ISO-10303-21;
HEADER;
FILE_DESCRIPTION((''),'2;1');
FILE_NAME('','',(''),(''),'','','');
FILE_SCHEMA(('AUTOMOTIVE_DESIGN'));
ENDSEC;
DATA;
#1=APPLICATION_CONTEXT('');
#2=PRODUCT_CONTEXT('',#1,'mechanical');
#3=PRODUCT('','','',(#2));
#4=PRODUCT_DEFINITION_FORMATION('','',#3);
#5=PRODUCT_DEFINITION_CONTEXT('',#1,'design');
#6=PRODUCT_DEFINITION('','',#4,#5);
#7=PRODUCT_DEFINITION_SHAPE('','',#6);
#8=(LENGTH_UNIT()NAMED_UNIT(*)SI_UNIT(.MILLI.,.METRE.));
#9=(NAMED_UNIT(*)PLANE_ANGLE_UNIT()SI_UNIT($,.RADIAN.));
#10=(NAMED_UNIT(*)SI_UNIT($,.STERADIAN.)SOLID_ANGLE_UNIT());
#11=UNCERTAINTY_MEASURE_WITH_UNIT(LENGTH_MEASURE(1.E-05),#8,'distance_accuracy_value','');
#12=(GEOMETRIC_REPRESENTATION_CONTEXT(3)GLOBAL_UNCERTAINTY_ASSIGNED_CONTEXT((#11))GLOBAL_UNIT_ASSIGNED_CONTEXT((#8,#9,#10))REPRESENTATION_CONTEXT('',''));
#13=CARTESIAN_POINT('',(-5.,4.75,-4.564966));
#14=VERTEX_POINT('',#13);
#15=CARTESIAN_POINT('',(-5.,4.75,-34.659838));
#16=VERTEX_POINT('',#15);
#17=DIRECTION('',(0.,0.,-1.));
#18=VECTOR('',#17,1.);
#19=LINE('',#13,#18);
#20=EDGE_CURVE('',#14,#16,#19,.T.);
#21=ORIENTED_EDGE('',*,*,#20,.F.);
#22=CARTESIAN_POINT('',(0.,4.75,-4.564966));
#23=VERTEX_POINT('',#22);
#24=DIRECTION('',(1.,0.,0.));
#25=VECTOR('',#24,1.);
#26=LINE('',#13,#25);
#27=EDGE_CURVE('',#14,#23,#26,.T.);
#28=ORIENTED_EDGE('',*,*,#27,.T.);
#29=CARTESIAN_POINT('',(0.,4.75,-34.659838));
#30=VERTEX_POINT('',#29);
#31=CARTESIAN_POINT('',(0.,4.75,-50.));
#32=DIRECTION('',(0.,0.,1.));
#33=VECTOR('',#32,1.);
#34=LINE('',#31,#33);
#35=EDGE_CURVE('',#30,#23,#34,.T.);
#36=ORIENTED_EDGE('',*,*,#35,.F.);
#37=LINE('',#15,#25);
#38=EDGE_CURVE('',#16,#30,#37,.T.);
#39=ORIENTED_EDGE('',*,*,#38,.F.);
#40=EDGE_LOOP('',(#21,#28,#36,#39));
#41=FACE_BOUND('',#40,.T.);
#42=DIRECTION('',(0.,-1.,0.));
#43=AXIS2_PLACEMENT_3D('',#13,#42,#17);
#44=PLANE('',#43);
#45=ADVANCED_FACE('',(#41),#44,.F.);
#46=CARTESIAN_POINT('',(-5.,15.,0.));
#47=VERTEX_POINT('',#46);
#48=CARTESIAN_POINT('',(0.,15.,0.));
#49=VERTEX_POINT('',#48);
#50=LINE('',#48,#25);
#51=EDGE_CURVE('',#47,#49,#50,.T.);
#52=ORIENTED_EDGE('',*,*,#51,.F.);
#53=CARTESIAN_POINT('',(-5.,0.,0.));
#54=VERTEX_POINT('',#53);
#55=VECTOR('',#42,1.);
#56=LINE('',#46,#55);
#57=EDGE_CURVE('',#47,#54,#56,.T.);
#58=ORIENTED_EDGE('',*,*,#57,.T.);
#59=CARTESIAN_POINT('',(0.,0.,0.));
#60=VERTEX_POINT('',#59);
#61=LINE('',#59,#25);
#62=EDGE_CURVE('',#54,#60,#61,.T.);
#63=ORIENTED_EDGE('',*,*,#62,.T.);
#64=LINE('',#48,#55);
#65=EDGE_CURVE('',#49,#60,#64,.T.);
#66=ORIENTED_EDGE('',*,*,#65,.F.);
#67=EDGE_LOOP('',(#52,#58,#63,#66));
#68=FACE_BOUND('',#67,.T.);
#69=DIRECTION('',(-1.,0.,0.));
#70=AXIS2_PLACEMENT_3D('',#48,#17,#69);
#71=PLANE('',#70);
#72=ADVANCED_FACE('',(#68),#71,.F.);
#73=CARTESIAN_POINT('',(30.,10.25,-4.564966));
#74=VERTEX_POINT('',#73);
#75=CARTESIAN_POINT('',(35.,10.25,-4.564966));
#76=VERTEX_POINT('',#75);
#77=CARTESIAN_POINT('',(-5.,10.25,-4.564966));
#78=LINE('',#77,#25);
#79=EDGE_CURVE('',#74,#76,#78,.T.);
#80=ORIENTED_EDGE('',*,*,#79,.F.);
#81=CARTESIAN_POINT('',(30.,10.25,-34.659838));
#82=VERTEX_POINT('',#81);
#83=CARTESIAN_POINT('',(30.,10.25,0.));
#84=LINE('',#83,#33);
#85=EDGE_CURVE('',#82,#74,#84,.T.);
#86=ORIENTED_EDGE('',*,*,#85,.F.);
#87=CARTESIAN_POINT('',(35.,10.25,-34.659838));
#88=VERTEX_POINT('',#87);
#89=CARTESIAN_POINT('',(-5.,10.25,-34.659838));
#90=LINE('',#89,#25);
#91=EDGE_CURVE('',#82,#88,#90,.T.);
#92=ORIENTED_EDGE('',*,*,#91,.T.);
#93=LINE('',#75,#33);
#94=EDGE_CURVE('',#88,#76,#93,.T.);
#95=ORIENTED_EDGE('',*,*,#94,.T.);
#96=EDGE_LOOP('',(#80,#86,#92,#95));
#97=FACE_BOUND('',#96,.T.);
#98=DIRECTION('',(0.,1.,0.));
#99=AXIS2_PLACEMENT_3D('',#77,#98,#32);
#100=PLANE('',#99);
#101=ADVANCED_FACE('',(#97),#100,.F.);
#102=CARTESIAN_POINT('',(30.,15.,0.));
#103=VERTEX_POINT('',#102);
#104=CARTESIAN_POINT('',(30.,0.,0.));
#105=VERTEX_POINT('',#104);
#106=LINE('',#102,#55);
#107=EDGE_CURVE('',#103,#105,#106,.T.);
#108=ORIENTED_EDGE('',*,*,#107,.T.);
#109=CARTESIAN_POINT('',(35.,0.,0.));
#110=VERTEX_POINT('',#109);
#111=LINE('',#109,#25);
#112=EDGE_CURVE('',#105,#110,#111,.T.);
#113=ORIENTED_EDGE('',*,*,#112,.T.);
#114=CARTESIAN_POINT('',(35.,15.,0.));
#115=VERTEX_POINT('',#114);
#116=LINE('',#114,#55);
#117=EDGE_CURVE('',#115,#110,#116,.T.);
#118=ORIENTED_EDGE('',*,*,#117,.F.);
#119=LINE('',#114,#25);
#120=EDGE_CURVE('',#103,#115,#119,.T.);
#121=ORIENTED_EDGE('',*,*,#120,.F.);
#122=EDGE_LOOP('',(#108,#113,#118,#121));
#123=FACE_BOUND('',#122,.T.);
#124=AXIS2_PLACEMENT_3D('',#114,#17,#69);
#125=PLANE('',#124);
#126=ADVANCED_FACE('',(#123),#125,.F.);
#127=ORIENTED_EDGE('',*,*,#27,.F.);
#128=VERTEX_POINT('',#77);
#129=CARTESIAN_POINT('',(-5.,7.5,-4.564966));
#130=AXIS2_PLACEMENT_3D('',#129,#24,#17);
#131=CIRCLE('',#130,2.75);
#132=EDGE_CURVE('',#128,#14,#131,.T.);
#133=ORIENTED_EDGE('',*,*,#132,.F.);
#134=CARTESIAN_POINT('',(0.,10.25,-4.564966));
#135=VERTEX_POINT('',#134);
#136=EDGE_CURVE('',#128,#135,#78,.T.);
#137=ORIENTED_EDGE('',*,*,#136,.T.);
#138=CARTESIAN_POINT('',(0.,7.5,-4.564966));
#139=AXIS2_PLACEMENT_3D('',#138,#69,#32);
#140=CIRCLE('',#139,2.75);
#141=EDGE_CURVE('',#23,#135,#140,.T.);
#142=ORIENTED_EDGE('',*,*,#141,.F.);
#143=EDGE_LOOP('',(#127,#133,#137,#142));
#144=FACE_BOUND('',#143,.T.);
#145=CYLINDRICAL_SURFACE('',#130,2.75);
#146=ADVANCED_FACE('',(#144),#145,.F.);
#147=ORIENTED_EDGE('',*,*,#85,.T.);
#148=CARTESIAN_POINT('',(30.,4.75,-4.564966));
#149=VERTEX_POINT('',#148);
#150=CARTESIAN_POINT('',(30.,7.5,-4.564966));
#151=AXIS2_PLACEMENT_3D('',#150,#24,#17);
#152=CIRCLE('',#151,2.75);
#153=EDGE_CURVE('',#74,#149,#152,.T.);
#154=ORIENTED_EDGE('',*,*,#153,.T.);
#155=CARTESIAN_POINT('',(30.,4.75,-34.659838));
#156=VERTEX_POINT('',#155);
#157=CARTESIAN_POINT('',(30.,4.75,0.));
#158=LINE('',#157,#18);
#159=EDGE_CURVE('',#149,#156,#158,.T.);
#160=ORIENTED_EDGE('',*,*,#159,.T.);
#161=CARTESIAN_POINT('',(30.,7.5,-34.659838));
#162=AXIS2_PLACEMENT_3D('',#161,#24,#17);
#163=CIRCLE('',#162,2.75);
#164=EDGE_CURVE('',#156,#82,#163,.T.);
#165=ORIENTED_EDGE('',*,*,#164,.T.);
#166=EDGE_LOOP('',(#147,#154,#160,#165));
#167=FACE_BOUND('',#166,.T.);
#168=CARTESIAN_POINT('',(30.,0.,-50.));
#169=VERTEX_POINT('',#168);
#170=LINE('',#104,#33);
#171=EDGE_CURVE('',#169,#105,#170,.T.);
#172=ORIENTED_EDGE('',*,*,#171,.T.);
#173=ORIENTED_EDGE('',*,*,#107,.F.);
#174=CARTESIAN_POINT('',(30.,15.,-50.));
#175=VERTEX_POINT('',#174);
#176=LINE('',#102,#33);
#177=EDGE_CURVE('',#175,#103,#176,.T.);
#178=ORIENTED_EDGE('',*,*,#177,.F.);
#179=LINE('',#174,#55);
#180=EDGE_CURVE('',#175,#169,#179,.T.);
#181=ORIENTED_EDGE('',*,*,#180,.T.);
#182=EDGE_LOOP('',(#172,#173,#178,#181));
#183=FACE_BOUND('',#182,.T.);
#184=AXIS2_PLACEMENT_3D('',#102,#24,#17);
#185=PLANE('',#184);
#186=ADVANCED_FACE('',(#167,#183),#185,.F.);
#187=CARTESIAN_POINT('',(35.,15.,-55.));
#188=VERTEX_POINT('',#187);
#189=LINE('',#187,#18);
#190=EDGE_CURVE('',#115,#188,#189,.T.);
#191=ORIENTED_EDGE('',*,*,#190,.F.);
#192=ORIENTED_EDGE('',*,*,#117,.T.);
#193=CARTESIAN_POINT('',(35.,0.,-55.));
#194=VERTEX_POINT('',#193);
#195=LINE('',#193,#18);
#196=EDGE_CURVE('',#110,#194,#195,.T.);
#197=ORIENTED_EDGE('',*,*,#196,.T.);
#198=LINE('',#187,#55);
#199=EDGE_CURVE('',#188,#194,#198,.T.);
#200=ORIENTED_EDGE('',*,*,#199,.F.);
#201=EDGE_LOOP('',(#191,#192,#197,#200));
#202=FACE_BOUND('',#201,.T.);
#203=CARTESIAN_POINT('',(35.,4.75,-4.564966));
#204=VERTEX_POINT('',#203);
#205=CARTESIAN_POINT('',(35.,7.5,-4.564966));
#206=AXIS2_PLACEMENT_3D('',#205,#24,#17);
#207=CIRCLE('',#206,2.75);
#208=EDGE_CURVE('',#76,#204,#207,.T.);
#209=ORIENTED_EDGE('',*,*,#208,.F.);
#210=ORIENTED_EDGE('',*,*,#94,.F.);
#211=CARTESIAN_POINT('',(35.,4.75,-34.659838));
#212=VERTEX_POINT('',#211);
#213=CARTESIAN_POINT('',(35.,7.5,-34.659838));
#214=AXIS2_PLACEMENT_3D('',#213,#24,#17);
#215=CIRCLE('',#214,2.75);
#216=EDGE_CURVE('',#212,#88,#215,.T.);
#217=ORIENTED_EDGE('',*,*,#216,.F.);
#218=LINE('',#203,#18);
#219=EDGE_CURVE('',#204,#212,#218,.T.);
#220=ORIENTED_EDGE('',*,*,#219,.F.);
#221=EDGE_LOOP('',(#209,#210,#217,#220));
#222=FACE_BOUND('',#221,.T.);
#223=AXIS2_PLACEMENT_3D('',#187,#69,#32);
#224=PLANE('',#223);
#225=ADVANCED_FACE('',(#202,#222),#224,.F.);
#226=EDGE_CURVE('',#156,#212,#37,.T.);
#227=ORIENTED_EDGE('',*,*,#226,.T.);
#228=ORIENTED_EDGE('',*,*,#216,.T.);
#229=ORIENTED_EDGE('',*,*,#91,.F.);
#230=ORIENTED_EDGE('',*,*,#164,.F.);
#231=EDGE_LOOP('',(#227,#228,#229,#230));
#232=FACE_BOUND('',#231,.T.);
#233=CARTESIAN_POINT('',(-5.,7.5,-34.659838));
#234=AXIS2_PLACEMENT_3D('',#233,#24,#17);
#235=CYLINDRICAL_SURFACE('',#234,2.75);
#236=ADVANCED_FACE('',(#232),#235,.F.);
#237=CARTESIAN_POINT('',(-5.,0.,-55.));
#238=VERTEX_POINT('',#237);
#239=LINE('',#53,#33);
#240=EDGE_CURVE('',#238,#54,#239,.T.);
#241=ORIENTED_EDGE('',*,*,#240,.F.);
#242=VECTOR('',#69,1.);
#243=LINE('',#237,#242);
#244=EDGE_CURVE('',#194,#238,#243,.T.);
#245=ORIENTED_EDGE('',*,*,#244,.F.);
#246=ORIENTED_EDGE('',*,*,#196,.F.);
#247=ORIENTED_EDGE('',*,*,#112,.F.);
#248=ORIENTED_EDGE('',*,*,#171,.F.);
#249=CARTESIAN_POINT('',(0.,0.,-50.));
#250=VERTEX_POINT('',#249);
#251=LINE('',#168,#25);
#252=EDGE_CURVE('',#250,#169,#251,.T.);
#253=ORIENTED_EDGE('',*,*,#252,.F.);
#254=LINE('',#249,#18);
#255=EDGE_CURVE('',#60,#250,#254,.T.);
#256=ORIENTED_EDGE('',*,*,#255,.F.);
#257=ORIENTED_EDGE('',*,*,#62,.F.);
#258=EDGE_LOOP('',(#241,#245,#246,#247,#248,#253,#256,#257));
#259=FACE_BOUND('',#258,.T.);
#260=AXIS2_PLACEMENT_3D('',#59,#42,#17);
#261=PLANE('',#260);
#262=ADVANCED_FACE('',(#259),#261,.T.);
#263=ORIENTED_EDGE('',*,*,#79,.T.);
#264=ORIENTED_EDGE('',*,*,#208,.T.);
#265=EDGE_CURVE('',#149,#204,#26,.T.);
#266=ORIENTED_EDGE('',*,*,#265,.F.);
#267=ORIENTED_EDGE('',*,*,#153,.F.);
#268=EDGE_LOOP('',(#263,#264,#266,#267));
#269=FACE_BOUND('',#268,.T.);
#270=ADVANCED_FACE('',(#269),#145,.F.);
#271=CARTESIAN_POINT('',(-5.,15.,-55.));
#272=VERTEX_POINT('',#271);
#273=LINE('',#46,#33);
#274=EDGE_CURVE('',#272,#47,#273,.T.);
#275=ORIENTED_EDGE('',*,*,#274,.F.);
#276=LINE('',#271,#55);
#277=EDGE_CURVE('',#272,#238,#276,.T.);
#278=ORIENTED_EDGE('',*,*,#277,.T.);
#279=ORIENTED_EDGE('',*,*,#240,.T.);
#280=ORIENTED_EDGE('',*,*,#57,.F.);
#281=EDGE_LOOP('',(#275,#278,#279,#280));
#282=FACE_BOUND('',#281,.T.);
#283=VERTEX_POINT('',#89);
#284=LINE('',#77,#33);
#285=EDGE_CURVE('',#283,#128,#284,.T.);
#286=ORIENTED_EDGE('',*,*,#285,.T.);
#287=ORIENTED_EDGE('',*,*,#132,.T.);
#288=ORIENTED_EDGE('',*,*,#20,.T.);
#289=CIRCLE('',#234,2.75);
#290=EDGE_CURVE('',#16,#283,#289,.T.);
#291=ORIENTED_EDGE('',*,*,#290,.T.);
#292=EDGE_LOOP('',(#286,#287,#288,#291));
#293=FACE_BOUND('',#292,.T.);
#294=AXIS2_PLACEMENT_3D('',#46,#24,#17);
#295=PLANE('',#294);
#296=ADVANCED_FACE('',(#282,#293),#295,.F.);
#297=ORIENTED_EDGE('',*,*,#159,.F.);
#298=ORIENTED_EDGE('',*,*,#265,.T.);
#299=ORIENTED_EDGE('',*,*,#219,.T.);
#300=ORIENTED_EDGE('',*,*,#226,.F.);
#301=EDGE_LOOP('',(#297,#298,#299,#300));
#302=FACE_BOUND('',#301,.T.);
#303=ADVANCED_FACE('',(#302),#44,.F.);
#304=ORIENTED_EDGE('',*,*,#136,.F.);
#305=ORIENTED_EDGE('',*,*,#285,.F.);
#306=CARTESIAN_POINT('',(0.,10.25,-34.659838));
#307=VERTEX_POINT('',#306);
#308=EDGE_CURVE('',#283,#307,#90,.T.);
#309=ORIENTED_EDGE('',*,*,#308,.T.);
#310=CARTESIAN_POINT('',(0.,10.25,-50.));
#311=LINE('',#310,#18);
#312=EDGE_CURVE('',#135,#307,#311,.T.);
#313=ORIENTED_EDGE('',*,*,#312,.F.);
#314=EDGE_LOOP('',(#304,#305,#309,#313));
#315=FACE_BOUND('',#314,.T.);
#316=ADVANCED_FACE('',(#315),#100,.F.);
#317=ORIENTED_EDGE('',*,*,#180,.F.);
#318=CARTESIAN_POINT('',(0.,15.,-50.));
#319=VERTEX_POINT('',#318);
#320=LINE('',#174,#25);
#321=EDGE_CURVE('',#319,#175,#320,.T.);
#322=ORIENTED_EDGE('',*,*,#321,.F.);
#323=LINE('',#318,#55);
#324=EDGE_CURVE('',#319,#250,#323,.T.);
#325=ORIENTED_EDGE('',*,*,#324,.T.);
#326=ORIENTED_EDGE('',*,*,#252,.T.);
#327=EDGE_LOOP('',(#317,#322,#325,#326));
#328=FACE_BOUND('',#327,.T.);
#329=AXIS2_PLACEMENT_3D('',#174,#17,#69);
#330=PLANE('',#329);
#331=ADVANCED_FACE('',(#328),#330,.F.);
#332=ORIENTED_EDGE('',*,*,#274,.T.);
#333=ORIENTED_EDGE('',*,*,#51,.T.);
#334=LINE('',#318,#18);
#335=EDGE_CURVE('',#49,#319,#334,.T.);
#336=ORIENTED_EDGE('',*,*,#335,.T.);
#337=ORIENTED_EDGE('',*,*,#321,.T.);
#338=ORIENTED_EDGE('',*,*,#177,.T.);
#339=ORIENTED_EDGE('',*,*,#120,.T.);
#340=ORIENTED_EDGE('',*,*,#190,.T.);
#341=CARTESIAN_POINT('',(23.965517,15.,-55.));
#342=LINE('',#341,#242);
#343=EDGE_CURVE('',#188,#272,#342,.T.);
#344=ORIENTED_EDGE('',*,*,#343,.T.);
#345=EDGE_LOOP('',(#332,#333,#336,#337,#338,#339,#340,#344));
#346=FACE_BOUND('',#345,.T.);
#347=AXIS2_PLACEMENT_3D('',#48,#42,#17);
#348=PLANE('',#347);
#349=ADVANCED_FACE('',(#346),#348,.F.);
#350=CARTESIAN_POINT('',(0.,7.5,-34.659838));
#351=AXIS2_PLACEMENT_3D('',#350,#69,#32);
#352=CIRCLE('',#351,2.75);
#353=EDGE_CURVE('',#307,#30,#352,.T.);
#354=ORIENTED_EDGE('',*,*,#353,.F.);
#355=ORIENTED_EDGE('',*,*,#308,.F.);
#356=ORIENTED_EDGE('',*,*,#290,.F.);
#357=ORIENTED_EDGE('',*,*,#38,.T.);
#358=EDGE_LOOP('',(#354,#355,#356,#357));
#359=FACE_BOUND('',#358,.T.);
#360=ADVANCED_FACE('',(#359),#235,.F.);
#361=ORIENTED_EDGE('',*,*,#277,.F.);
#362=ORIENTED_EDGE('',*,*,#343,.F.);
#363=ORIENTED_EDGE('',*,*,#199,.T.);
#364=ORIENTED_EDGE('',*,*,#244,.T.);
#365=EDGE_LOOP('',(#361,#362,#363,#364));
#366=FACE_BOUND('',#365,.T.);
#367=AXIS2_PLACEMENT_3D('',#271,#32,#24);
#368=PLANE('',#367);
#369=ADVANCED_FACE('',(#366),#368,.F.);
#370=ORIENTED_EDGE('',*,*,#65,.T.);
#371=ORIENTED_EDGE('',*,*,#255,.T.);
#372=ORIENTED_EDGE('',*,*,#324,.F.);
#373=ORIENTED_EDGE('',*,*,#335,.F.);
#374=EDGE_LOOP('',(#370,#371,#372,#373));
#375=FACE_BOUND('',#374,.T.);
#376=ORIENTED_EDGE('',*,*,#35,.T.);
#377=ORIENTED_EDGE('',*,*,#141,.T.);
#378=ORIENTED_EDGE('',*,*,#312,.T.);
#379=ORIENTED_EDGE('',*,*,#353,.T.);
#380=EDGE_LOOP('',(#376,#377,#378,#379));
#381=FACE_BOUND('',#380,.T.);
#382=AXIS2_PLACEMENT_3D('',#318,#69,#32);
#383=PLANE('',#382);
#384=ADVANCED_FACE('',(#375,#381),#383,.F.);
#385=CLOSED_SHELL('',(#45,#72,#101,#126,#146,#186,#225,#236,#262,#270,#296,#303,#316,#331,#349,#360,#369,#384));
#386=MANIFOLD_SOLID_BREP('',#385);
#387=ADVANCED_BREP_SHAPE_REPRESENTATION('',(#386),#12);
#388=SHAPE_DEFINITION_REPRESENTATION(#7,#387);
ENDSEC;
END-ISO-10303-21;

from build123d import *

# Parameters (mm, degrees)
BOSS_EXTRUDE1_DEPTH = 15
CUT_EXTRUDE1_DEPTH  = 41


with BuildPart() as part:
    # Sketch1 → Boss-Extrude1 (new body)
    with BuildSketch(Plane(origin=(0, 0, 0), x_dir=(1, 0, 0), z_dir=(0, 1, 0))):
        Polygon((0, 0), (-5, 0), (-5, 55), (23.965517241, 55), (35, 55), (35, 0), (30, 0), (30, 50), (0, 50), align=None)
    extrude(amount=BOSS_EXTRUDE1_DEPTH)

    # Sketch2 → Cut-Extrude1 (cut, through all)
    with BuildSketch(Plane(origin=(35, 0, 0), x_dir=(0, 0, -1), z_dir=(1, 0, 0))):
        with BuildLine():
            Line((4.564965869, 10.25), (34.659838249, 10.25))
            ThreePointArc((34.659838249, 10.25), (37.409838249, 7.5), (34.659838249, 4.75))
            Line((34.659838249, 4.75), (4.564965869, 4.75))
            ThreePointArc((4.564965869, 4.75), (1.814965869, 7.5), (4.564965869, 10.25))
        make_face()
    extrude(amount=-CUT_EXTRUDE1_DEPTH, mode=Mode.SUBTRACT)


solid = part.part
